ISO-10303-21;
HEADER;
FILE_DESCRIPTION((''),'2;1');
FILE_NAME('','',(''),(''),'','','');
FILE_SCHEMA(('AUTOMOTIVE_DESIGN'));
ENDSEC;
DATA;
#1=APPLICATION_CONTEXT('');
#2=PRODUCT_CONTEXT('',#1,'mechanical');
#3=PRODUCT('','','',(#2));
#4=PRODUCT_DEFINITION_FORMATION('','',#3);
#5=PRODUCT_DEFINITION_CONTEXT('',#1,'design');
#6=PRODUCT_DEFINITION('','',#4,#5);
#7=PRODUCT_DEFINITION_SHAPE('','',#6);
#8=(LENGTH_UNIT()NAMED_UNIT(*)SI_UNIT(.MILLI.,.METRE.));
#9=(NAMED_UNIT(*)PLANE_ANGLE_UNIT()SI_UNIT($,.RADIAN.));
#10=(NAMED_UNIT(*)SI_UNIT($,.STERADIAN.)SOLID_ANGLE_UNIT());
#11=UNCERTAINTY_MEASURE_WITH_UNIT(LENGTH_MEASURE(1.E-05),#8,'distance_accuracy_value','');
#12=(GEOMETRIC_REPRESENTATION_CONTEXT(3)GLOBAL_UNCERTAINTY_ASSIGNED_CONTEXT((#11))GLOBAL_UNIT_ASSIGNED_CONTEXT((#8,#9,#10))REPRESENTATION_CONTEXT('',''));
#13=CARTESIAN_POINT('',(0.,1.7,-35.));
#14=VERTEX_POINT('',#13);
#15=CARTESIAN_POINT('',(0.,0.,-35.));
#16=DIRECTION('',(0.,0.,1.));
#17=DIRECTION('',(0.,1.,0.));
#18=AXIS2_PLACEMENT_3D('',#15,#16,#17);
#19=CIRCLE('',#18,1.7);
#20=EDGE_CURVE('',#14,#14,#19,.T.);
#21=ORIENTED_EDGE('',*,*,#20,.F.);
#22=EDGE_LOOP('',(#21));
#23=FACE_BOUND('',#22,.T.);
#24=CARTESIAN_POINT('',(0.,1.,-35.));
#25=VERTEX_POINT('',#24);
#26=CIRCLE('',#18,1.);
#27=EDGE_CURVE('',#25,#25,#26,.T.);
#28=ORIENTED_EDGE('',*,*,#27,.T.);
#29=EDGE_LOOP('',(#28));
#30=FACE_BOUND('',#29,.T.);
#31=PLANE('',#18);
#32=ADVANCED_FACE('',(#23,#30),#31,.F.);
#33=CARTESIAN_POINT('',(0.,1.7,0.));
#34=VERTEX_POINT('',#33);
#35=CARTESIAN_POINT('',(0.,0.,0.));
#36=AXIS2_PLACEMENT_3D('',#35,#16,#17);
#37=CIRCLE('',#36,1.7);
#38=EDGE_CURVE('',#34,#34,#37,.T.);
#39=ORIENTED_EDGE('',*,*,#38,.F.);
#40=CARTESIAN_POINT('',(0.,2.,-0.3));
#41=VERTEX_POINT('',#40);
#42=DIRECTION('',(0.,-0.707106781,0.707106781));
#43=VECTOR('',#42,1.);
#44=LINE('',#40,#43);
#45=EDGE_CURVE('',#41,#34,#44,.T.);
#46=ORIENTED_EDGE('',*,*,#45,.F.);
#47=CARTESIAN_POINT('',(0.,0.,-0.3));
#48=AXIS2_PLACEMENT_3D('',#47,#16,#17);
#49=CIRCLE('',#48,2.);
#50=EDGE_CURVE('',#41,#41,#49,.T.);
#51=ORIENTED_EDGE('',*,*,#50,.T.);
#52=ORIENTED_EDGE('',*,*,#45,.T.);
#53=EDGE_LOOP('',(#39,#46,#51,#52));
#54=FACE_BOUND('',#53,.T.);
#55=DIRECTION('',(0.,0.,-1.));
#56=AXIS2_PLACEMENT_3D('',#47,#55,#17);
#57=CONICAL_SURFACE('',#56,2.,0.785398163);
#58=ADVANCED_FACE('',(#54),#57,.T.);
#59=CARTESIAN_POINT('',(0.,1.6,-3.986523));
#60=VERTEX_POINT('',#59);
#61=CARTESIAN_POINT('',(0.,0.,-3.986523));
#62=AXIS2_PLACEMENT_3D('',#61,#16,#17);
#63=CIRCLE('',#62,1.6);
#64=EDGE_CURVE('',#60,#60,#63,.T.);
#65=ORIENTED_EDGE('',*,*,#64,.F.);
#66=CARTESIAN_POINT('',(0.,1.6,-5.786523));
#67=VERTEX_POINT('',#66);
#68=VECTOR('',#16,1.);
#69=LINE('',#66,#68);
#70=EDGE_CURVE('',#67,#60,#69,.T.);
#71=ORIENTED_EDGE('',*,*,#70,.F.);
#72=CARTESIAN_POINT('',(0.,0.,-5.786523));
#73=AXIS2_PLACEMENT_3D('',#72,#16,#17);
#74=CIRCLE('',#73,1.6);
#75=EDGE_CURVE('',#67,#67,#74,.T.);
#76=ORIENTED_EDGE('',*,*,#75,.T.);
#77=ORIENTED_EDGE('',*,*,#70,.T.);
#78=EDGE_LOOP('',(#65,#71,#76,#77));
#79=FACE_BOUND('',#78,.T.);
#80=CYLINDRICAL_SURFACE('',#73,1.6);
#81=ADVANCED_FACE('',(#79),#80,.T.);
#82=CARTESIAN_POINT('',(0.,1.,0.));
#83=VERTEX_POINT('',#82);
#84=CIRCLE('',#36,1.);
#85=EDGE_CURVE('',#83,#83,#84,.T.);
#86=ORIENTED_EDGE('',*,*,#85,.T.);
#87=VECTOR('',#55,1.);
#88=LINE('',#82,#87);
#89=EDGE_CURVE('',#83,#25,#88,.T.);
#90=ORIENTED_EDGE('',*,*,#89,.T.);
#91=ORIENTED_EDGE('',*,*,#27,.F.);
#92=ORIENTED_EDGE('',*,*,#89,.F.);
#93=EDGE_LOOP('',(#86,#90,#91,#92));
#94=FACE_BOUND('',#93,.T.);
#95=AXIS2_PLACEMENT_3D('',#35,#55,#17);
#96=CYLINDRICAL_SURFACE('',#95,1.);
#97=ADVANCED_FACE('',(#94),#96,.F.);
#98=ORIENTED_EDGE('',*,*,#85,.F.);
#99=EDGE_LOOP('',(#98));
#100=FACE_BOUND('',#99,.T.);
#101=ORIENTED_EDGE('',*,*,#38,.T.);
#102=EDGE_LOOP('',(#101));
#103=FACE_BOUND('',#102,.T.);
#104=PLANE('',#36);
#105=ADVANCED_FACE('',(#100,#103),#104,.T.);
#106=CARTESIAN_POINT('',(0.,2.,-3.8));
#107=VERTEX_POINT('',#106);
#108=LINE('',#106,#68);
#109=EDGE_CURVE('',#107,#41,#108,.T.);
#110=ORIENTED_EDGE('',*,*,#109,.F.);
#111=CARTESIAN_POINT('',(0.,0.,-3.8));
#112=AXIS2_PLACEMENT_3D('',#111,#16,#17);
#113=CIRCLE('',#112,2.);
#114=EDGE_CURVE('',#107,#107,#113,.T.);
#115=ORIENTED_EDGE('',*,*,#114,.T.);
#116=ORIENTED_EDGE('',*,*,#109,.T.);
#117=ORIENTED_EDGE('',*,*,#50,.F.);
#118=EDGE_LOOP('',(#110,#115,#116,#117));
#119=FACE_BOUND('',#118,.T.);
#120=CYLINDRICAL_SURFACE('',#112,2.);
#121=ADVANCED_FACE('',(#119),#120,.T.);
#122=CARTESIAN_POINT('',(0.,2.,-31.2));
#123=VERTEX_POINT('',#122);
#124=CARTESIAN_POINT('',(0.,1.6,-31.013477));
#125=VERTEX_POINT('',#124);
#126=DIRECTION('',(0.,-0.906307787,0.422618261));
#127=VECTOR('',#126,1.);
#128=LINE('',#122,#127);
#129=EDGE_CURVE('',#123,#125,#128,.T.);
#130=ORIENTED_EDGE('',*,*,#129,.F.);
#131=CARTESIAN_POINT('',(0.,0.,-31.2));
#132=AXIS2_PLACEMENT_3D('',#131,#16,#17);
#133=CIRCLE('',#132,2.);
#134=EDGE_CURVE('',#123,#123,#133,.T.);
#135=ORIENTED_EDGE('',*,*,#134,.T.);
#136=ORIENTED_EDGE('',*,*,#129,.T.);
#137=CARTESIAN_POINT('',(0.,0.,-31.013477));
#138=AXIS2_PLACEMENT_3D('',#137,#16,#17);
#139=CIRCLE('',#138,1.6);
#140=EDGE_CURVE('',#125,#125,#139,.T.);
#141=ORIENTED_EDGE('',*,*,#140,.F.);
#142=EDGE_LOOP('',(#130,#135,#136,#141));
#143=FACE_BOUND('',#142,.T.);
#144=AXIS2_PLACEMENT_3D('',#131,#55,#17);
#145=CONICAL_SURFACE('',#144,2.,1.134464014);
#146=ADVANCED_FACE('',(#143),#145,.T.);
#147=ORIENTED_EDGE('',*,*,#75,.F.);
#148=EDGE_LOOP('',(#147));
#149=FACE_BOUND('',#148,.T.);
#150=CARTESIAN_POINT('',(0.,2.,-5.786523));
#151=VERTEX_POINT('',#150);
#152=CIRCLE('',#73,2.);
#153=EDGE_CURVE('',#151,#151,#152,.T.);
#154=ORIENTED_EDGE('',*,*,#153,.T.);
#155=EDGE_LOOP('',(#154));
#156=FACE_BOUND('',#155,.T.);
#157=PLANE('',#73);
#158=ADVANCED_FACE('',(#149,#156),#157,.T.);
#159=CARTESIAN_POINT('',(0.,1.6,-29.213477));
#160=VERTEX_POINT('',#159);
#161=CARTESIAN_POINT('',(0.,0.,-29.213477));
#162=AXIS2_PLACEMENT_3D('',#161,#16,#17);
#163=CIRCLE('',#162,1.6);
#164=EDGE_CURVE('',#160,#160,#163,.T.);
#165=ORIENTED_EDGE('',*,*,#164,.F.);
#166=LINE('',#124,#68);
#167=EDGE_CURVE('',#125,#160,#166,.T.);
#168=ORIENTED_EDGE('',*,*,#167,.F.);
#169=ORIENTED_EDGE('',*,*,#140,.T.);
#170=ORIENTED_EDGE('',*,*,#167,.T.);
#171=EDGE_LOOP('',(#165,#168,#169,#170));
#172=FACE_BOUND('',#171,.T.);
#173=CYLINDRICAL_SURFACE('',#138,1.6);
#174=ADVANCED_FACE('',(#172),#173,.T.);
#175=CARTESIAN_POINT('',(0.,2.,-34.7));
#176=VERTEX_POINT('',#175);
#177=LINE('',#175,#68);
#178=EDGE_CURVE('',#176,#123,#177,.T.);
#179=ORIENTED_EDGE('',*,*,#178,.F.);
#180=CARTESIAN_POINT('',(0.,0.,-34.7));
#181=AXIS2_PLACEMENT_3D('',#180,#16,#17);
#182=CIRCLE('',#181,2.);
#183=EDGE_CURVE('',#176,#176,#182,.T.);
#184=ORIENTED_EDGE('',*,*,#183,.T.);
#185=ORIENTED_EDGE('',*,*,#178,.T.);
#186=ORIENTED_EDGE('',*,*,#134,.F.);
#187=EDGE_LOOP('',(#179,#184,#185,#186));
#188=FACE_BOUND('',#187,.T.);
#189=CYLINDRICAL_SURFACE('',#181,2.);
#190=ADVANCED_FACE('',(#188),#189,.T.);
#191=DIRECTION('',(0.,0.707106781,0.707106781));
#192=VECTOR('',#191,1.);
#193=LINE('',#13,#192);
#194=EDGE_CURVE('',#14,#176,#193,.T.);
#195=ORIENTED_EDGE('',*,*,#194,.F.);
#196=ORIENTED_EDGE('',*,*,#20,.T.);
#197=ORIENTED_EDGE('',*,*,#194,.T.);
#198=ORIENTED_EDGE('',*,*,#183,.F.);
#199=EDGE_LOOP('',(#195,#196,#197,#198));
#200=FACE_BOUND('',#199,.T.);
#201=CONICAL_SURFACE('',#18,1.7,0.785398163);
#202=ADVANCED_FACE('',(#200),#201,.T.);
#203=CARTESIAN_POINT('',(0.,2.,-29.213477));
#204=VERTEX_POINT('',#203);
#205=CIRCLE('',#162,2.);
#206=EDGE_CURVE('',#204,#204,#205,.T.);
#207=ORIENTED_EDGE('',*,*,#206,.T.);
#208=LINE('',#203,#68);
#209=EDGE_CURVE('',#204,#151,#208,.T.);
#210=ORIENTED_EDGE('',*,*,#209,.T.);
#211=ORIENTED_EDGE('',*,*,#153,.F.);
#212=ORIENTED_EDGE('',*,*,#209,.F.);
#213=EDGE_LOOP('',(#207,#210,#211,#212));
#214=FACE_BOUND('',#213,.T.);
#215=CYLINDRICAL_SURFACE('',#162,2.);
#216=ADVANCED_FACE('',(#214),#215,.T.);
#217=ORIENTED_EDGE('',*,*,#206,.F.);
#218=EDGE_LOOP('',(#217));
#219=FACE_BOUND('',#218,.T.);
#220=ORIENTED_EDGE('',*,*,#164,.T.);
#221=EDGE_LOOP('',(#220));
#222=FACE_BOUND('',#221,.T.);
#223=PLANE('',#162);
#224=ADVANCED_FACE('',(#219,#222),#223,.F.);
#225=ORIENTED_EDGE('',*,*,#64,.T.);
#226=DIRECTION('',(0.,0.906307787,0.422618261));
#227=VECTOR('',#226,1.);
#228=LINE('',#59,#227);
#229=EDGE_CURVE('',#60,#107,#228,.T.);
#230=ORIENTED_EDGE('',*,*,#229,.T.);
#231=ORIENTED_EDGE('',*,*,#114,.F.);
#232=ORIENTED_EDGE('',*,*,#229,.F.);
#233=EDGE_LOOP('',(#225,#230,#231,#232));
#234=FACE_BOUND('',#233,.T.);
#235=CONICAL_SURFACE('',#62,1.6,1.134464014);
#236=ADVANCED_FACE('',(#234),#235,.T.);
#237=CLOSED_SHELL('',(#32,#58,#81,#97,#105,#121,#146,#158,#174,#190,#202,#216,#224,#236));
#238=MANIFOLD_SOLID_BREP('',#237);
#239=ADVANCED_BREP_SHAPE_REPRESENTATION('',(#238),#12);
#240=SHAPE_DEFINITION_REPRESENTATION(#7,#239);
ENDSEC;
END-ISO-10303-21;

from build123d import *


with BuildPart() as part:
    # Sketch1 → Revolve1 (revolve)
    with BuildSketch(Plane(origin=(0, 0, 0), x_dir=(0, 0, -1), z_dir=(1, 0, 0))):
        Polygon((0, 1), (35, 1), (35, 1.7), (34.7, 2), (31.2, 2), (31.013476937, 1.6), (29.213476937, 1.6), (29.213476937, 2), (5.786523063, 2), (5.786523063, 1.6), (3.986523063, 1.6), (3.8, 2), (0.3, 2), (0, 1.7), align=None)
    revolve(axis=Axis((0, 0, -35), (0, 0, 1)))


solid = part.part
